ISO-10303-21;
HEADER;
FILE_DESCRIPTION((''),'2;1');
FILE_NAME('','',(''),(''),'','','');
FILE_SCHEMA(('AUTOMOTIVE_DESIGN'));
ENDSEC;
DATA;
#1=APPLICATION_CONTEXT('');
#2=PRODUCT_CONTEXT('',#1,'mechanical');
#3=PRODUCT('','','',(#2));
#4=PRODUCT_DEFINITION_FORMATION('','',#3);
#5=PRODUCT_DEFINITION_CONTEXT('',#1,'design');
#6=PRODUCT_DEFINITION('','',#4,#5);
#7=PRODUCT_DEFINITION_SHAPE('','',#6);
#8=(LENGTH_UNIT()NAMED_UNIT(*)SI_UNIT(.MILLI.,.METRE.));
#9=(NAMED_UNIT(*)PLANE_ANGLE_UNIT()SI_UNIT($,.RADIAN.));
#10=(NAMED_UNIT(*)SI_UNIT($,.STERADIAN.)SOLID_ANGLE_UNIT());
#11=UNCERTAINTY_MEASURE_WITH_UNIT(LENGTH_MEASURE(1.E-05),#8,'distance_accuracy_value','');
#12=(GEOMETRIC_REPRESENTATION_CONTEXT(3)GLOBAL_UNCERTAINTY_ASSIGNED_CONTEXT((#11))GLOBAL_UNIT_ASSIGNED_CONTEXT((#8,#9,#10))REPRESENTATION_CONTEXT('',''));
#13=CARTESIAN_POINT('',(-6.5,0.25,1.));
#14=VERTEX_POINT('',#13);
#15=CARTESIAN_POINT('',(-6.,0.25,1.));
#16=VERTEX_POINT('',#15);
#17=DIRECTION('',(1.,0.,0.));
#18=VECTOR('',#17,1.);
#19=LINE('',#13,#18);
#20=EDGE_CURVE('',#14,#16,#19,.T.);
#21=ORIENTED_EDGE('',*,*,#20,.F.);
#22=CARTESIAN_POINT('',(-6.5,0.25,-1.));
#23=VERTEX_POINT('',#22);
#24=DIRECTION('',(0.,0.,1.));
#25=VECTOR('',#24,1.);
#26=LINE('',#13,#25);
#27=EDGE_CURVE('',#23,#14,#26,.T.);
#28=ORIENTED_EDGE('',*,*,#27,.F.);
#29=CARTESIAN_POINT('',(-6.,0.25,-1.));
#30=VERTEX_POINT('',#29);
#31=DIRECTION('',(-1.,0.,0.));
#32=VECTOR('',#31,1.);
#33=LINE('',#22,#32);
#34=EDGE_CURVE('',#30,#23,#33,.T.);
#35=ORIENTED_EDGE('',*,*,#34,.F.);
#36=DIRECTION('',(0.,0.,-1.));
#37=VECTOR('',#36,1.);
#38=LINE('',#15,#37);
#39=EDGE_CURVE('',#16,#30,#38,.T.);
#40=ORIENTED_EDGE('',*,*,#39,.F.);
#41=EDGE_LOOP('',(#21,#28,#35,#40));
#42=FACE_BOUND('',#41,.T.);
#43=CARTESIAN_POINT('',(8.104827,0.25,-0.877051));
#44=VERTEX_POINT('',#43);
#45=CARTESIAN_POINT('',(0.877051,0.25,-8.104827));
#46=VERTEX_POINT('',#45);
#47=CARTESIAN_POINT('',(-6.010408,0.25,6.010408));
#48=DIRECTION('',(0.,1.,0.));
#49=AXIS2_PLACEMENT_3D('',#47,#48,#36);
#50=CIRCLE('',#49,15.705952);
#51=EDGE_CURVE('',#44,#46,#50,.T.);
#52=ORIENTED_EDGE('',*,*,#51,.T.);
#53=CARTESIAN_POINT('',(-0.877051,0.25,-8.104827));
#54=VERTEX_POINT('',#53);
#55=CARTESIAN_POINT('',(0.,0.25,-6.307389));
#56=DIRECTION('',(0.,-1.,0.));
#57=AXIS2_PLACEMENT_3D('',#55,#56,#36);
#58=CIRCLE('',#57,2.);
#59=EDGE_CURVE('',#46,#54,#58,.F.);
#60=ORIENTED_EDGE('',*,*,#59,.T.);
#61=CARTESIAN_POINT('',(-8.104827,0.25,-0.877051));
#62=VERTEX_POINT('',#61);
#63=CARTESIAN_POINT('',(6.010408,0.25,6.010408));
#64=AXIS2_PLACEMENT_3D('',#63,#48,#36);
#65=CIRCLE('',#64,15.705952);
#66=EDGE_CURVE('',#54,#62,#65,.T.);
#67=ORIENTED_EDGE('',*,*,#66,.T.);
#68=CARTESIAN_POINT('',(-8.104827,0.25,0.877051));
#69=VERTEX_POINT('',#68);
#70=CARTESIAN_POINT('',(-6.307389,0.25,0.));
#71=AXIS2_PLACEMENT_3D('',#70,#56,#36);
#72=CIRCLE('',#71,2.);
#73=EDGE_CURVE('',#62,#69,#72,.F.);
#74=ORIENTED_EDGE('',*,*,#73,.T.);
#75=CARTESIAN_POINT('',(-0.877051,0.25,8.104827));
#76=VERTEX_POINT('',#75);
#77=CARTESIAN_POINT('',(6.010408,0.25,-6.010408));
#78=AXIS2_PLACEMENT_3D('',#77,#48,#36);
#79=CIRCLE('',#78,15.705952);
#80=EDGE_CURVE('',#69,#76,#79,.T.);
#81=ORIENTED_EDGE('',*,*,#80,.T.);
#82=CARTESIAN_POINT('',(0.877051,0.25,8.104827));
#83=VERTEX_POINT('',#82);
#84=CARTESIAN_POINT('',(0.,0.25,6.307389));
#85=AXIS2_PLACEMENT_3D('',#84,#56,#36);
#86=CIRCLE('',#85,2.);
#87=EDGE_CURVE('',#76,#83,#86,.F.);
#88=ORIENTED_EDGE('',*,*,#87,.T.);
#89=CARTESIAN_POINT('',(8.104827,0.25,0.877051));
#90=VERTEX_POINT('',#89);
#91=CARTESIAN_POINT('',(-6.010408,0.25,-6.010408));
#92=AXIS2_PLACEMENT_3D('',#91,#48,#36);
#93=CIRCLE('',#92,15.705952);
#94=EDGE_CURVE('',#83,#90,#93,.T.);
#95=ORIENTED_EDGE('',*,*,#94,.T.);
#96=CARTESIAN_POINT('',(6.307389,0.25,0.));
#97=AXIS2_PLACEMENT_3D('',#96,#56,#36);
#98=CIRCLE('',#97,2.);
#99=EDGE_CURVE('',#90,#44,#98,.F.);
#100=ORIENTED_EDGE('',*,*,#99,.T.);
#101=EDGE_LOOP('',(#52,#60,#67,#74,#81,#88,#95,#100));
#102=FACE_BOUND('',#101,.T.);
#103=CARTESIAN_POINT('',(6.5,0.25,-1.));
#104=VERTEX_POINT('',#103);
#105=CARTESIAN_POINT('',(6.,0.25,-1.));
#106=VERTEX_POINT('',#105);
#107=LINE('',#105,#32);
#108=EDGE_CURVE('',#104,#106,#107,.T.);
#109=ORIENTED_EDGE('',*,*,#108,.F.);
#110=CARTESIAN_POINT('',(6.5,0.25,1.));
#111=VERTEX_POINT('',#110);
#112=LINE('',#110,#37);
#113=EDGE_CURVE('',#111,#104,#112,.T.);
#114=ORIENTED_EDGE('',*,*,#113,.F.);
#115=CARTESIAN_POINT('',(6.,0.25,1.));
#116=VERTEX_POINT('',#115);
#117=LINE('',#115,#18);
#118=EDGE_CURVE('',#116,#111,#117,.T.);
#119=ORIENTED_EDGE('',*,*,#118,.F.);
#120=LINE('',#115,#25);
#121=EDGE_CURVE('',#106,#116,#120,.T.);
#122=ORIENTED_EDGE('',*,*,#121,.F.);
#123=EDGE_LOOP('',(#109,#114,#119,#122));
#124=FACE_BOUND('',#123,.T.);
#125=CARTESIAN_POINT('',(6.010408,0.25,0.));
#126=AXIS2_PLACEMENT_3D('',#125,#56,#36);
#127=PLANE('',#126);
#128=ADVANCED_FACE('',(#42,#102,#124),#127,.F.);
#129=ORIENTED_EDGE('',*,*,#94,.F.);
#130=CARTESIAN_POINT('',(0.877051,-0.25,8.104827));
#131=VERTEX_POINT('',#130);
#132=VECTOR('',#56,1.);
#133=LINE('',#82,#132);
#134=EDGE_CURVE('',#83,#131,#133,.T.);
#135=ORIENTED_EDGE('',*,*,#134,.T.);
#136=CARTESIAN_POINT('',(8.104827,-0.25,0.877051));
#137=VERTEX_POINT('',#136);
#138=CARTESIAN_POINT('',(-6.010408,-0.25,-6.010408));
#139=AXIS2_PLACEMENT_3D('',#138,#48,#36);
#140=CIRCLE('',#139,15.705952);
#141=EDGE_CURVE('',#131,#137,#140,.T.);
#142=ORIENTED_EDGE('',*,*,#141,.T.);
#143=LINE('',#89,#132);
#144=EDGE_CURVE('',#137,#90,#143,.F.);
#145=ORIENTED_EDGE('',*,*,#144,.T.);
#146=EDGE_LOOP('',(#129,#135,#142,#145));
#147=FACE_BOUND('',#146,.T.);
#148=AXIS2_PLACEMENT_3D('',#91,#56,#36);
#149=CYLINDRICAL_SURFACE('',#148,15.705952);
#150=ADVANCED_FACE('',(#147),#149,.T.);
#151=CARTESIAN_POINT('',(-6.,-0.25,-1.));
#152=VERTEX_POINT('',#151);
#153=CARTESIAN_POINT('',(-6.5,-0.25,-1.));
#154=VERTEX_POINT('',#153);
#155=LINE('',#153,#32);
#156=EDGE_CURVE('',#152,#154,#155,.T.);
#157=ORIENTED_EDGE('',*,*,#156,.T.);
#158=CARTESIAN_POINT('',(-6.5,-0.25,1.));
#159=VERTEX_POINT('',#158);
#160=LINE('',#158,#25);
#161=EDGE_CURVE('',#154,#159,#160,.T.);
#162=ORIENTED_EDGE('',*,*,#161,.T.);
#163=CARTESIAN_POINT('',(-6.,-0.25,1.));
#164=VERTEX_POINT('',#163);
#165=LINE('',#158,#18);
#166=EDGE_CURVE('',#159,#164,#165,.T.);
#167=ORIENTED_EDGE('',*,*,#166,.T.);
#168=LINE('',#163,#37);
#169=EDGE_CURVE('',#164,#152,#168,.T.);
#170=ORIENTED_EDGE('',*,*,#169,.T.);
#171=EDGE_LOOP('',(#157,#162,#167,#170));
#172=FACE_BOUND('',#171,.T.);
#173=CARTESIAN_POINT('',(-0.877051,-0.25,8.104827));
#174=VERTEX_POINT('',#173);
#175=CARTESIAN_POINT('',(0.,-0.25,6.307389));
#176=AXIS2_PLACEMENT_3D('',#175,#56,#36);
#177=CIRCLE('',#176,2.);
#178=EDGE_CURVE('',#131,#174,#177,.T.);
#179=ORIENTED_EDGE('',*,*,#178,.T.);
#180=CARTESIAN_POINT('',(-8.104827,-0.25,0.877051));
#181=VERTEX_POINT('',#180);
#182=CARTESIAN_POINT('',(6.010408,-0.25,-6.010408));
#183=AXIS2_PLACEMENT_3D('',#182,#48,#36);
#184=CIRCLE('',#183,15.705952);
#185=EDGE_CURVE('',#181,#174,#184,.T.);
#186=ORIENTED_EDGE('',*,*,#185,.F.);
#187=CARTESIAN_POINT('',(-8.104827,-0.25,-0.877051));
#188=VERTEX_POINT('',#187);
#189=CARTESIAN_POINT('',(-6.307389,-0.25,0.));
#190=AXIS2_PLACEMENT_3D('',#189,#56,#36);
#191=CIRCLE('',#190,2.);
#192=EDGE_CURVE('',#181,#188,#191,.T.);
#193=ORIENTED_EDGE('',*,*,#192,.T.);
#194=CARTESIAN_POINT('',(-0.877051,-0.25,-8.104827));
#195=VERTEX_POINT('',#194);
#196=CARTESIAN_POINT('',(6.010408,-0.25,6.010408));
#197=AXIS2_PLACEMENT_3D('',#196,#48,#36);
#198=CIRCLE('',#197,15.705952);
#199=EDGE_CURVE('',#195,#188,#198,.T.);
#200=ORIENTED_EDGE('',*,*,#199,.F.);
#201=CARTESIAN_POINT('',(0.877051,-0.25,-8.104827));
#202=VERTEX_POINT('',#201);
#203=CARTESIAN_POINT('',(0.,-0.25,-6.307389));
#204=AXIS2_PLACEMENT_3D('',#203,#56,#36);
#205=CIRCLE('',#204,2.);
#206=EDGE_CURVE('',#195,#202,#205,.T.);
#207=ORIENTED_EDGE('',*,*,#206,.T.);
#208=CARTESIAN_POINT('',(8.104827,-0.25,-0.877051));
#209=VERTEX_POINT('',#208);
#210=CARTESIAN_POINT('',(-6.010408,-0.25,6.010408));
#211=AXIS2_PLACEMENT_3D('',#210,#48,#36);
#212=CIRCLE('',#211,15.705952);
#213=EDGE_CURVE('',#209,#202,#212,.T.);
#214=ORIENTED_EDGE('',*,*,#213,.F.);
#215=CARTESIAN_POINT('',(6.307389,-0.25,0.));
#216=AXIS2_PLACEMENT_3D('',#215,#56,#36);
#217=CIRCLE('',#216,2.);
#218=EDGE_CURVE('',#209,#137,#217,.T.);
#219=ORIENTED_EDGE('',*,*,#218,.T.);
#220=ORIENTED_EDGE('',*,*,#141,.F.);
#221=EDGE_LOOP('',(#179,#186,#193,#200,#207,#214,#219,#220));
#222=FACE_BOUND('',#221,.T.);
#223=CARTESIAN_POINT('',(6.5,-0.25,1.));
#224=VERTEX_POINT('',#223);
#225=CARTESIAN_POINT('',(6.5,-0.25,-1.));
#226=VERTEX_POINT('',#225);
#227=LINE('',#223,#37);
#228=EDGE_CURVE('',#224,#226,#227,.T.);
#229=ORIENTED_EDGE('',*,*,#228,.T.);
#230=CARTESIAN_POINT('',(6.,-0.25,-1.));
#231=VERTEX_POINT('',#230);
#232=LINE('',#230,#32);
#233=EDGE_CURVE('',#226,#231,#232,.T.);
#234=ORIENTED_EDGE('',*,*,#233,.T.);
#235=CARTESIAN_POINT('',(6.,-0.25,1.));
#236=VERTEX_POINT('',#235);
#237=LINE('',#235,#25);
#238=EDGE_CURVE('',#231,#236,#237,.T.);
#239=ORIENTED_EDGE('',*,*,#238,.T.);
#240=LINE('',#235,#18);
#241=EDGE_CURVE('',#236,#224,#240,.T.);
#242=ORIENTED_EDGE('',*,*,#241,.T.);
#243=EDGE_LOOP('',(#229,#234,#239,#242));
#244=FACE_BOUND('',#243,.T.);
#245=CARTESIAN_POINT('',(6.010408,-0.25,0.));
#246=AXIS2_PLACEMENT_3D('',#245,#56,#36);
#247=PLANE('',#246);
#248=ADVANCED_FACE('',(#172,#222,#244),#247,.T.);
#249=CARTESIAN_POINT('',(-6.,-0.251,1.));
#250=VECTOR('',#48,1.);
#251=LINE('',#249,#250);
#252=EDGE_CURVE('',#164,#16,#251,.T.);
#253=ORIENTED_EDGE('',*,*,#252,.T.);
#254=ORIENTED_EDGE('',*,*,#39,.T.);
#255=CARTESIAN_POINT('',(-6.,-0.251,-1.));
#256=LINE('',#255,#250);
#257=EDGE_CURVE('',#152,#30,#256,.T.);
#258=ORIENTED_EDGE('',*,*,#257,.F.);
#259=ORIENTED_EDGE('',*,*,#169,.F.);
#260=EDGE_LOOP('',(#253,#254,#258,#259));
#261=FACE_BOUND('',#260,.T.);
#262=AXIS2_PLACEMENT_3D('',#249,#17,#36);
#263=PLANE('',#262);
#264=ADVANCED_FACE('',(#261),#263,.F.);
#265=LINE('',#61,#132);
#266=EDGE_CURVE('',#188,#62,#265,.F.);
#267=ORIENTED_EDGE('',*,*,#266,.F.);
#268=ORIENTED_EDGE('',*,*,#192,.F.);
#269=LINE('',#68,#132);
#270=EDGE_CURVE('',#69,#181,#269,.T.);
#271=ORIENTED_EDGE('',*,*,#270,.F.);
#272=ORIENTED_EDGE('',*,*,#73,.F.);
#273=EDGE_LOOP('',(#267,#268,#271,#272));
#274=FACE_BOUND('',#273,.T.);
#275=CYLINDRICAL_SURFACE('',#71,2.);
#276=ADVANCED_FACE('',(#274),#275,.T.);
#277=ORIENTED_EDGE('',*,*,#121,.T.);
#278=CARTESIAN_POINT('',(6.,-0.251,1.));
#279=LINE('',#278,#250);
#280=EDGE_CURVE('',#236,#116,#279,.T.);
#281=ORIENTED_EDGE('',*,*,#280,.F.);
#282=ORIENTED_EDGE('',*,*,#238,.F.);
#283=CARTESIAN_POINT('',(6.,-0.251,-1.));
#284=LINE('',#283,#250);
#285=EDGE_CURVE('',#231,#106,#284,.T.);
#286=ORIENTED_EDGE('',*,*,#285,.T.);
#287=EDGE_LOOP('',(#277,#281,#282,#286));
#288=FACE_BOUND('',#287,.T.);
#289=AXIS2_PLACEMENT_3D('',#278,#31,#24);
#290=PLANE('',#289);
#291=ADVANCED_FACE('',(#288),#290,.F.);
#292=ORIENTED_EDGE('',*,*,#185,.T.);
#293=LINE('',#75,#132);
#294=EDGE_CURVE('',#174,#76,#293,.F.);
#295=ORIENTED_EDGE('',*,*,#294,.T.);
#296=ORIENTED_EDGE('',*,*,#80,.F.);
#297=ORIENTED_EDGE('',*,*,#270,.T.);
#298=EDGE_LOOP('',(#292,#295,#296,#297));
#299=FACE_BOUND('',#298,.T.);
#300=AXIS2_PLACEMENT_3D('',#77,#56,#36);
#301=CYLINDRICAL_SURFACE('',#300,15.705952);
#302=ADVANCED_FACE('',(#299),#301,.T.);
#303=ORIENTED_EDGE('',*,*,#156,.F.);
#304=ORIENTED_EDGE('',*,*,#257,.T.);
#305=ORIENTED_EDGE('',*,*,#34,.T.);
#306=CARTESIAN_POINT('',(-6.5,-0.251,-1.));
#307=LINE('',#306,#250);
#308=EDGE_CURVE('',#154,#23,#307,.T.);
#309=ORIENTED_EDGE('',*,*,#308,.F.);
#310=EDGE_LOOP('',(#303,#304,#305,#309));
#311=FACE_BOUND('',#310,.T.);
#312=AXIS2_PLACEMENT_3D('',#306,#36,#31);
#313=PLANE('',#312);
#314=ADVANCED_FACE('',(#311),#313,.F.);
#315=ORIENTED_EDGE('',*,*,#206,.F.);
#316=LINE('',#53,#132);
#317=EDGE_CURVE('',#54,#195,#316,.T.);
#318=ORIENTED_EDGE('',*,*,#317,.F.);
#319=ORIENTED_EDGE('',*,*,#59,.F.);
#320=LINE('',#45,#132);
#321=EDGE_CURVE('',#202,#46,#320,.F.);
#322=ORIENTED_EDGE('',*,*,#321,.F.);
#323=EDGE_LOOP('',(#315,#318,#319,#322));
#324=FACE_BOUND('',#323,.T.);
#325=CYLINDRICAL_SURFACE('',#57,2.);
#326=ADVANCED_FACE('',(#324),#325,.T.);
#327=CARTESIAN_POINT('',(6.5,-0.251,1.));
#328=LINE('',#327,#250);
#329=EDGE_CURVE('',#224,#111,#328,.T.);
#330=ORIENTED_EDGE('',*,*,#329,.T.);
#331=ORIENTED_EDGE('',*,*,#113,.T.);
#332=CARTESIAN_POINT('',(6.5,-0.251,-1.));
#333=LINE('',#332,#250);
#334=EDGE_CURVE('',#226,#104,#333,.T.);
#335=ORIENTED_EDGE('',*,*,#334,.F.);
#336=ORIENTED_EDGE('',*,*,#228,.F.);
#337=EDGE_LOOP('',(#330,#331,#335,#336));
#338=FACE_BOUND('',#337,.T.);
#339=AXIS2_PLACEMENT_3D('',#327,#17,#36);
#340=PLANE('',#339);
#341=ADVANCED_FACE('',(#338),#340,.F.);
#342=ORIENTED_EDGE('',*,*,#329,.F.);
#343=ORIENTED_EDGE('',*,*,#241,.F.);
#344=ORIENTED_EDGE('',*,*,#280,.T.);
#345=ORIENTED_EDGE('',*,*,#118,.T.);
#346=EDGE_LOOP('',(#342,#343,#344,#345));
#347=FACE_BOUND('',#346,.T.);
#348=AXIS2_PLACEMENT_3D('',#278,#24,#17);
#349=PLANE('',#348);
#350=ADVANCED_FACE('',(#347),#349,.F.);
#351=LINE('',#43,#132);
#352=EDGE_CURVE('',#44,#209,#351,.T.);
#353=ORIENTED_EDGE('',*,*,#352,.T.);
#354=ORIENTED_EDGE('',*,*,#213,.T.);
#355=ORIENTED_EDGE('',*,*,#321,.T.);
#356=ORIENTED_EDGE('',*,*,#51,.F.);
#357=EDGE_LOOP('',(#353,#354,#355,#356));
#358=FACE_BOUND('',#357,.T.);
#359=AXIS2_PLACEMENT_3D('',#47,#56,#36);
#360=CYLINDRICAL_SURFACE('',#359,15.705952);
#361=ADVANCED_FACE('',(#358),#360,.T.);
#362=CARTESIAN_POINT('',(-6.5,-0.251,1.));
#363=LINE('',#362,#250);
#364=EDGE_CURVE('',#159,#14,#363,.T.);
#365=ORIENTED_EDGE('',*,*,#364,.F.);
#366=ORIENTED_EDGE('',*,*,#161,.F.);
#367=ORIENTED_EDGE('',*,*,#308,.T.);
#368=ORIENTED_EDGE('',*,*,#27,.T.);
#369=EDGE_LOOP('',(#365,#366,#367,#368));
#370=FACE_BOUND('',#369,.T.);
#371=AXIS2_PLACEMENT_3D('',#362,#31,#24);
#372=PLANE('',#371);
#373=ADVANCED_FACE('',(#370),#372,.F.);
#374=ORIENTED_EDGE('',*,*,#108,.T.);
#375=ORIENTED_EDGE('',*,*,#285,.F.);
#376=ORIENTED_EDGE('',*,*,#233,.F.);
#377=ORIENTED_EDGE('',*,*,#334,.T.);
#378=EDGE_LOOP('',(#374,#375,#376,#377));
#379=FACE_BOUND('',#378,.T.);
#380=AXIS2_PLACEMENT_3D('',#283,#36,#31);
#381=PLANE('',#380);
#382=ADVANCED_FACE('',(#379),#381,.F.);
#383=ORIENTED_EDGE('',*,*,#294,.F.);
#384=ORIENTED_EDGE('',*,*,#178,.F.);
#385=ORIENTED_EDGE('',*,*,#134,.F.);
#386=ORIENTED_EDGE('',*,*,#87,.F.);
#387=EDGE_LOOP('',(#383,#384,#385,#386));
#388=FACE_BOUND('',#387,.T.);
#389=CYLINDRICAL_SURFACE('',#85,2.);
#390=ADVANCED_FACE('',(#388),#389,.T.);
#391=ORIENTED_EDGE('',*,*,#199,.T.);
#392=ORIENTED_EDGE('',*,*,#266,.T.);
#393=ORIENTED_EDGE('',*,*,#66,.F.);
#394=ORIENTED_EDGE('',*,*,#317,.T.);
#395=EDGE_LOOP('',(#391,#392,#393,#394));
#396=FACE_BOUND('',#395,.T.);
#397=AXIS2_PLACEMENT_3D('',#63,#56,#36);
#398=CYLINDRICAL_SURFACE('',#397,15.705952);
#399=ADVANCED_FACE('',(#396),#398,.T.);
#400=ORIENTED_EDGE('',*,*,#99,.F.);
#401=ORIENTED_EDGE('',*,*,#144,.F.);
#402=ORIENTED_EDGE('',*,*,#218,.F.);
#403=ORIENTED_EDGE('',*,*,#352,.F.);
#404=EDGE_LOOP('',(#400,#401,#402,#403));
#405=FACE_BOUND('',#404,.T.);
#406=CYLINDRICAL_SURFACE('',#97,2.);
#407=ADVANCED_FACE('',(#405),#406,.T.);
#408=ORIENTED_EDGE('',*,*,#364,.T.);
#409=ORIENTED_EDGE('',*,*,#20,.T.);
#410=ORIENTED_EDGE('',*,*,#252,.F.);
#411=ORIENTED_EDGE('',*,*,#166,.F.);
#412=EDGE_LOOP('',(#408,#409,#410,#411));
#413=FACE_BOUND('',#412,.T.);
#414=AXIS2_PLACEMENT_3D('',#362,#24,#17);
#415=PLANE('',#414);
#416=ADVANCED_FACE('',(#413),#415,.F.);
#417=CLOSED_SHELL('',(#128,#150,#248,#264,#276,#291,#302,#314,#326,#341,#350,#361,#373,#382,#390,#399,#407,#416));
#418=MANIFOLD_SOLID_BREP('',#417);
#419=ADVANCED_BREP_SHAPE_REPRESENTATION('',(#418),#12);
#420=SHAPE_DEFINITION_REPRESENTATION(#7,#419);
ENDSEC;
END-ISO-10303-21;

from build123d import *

# Parameters (mm, degrees)
BOSS_EXTRUDE1_DEPTH = 0.25
FILLET1_R           = 2
CUT_EXTRUDE1_REACH  = 2.5
SKETCH2_W           = 0.5
SKETCH2_H           = 2


with BuildPart() as part:
    # Sketch1 → Boss-Extrude1 (new body, symmetric)
    with BuildSketch(Plane(origin=(0, 0, 0), x_dir=(1, 0, 0), z_dir=(0, 1, 0))):
        with BuildLine():
            ThreePointArc((-8.5, 0), (-5.095377561, 5.095377561), (0, 8.5))
            ThreePointArc((0, 8.5), (5.095377561, 5.095377561), (8.5, 0))
            ThreePointArc((8.5, 0), (5.095377561, -5.095377561), (0, -8.5))
            ThreePointArc((0, -8.5), (-5.095377561, -5.095377561), (-8.5, 0))
        make_face()
    extrude(amount=BOSS_EXTRUDE1_DEPTH, both=True)

    # Fillet1
    fillet1_edges = [part.edges().sort_by_distance(p)[0] for p in [
        (-8.5, 0, 0),
        (0, 0, -8.5),
        (8.5, 0, 0),
        (0, 0, 8.5),
    ]]
    fillet(fillet1_edges, radius=FILLET1_R)

    # Sketch2 → Cut-Extrude1 (cut, up to next)
    with BuildSketch(Plane(origin=(0, 0.25, 0), x_dir=(1, 0, 0), z_dir=(0, 1, 0)), mode=Mode.PRIVATE) as cut_extrude1_sk1:
        with Locations((-6.25, 0)):
            Rectangle(SKETCH2_W, SKETCH2_H)
    cut_extrude1_tool1 = extrude(cut_extrude1_sk1.sketch, amount=-CUT_EXTRUDE1_REACH, mode=Mode.PRIVATE) & part.part
    add(cut_extrude1_tool1.solids().sort_by_distance((-6.25, 0.25, 0))[0], mode=Mode.SUBTRACT)
    # Sketch2 → Cut-Extrude1 (cut, up to next)
    with BuildSketch(Plane(origin=(0, 0.25, 0), x_dir=(1, 0, 0), z_dir=(0, 1, 0)), mode=Mode.PRIVATE) as cut_extrude1_sk2:
        with Locations((6.25, 0)):
            Rectangle(SKETCH2_W, SKETCH2_H)
    cut_extrude1_tool2 = extrude(cut_extrude1_sk2.sketch, amount=-CUT_EXTRUDE1_REACH, mode=Mode.PRIVATE) & part.part
    add(cut_extrude1_tool2.solids().sort_by_distance((6.25, 0.25, 0))[0], mode=Mode.SUBTRACT)


solid = part.part
